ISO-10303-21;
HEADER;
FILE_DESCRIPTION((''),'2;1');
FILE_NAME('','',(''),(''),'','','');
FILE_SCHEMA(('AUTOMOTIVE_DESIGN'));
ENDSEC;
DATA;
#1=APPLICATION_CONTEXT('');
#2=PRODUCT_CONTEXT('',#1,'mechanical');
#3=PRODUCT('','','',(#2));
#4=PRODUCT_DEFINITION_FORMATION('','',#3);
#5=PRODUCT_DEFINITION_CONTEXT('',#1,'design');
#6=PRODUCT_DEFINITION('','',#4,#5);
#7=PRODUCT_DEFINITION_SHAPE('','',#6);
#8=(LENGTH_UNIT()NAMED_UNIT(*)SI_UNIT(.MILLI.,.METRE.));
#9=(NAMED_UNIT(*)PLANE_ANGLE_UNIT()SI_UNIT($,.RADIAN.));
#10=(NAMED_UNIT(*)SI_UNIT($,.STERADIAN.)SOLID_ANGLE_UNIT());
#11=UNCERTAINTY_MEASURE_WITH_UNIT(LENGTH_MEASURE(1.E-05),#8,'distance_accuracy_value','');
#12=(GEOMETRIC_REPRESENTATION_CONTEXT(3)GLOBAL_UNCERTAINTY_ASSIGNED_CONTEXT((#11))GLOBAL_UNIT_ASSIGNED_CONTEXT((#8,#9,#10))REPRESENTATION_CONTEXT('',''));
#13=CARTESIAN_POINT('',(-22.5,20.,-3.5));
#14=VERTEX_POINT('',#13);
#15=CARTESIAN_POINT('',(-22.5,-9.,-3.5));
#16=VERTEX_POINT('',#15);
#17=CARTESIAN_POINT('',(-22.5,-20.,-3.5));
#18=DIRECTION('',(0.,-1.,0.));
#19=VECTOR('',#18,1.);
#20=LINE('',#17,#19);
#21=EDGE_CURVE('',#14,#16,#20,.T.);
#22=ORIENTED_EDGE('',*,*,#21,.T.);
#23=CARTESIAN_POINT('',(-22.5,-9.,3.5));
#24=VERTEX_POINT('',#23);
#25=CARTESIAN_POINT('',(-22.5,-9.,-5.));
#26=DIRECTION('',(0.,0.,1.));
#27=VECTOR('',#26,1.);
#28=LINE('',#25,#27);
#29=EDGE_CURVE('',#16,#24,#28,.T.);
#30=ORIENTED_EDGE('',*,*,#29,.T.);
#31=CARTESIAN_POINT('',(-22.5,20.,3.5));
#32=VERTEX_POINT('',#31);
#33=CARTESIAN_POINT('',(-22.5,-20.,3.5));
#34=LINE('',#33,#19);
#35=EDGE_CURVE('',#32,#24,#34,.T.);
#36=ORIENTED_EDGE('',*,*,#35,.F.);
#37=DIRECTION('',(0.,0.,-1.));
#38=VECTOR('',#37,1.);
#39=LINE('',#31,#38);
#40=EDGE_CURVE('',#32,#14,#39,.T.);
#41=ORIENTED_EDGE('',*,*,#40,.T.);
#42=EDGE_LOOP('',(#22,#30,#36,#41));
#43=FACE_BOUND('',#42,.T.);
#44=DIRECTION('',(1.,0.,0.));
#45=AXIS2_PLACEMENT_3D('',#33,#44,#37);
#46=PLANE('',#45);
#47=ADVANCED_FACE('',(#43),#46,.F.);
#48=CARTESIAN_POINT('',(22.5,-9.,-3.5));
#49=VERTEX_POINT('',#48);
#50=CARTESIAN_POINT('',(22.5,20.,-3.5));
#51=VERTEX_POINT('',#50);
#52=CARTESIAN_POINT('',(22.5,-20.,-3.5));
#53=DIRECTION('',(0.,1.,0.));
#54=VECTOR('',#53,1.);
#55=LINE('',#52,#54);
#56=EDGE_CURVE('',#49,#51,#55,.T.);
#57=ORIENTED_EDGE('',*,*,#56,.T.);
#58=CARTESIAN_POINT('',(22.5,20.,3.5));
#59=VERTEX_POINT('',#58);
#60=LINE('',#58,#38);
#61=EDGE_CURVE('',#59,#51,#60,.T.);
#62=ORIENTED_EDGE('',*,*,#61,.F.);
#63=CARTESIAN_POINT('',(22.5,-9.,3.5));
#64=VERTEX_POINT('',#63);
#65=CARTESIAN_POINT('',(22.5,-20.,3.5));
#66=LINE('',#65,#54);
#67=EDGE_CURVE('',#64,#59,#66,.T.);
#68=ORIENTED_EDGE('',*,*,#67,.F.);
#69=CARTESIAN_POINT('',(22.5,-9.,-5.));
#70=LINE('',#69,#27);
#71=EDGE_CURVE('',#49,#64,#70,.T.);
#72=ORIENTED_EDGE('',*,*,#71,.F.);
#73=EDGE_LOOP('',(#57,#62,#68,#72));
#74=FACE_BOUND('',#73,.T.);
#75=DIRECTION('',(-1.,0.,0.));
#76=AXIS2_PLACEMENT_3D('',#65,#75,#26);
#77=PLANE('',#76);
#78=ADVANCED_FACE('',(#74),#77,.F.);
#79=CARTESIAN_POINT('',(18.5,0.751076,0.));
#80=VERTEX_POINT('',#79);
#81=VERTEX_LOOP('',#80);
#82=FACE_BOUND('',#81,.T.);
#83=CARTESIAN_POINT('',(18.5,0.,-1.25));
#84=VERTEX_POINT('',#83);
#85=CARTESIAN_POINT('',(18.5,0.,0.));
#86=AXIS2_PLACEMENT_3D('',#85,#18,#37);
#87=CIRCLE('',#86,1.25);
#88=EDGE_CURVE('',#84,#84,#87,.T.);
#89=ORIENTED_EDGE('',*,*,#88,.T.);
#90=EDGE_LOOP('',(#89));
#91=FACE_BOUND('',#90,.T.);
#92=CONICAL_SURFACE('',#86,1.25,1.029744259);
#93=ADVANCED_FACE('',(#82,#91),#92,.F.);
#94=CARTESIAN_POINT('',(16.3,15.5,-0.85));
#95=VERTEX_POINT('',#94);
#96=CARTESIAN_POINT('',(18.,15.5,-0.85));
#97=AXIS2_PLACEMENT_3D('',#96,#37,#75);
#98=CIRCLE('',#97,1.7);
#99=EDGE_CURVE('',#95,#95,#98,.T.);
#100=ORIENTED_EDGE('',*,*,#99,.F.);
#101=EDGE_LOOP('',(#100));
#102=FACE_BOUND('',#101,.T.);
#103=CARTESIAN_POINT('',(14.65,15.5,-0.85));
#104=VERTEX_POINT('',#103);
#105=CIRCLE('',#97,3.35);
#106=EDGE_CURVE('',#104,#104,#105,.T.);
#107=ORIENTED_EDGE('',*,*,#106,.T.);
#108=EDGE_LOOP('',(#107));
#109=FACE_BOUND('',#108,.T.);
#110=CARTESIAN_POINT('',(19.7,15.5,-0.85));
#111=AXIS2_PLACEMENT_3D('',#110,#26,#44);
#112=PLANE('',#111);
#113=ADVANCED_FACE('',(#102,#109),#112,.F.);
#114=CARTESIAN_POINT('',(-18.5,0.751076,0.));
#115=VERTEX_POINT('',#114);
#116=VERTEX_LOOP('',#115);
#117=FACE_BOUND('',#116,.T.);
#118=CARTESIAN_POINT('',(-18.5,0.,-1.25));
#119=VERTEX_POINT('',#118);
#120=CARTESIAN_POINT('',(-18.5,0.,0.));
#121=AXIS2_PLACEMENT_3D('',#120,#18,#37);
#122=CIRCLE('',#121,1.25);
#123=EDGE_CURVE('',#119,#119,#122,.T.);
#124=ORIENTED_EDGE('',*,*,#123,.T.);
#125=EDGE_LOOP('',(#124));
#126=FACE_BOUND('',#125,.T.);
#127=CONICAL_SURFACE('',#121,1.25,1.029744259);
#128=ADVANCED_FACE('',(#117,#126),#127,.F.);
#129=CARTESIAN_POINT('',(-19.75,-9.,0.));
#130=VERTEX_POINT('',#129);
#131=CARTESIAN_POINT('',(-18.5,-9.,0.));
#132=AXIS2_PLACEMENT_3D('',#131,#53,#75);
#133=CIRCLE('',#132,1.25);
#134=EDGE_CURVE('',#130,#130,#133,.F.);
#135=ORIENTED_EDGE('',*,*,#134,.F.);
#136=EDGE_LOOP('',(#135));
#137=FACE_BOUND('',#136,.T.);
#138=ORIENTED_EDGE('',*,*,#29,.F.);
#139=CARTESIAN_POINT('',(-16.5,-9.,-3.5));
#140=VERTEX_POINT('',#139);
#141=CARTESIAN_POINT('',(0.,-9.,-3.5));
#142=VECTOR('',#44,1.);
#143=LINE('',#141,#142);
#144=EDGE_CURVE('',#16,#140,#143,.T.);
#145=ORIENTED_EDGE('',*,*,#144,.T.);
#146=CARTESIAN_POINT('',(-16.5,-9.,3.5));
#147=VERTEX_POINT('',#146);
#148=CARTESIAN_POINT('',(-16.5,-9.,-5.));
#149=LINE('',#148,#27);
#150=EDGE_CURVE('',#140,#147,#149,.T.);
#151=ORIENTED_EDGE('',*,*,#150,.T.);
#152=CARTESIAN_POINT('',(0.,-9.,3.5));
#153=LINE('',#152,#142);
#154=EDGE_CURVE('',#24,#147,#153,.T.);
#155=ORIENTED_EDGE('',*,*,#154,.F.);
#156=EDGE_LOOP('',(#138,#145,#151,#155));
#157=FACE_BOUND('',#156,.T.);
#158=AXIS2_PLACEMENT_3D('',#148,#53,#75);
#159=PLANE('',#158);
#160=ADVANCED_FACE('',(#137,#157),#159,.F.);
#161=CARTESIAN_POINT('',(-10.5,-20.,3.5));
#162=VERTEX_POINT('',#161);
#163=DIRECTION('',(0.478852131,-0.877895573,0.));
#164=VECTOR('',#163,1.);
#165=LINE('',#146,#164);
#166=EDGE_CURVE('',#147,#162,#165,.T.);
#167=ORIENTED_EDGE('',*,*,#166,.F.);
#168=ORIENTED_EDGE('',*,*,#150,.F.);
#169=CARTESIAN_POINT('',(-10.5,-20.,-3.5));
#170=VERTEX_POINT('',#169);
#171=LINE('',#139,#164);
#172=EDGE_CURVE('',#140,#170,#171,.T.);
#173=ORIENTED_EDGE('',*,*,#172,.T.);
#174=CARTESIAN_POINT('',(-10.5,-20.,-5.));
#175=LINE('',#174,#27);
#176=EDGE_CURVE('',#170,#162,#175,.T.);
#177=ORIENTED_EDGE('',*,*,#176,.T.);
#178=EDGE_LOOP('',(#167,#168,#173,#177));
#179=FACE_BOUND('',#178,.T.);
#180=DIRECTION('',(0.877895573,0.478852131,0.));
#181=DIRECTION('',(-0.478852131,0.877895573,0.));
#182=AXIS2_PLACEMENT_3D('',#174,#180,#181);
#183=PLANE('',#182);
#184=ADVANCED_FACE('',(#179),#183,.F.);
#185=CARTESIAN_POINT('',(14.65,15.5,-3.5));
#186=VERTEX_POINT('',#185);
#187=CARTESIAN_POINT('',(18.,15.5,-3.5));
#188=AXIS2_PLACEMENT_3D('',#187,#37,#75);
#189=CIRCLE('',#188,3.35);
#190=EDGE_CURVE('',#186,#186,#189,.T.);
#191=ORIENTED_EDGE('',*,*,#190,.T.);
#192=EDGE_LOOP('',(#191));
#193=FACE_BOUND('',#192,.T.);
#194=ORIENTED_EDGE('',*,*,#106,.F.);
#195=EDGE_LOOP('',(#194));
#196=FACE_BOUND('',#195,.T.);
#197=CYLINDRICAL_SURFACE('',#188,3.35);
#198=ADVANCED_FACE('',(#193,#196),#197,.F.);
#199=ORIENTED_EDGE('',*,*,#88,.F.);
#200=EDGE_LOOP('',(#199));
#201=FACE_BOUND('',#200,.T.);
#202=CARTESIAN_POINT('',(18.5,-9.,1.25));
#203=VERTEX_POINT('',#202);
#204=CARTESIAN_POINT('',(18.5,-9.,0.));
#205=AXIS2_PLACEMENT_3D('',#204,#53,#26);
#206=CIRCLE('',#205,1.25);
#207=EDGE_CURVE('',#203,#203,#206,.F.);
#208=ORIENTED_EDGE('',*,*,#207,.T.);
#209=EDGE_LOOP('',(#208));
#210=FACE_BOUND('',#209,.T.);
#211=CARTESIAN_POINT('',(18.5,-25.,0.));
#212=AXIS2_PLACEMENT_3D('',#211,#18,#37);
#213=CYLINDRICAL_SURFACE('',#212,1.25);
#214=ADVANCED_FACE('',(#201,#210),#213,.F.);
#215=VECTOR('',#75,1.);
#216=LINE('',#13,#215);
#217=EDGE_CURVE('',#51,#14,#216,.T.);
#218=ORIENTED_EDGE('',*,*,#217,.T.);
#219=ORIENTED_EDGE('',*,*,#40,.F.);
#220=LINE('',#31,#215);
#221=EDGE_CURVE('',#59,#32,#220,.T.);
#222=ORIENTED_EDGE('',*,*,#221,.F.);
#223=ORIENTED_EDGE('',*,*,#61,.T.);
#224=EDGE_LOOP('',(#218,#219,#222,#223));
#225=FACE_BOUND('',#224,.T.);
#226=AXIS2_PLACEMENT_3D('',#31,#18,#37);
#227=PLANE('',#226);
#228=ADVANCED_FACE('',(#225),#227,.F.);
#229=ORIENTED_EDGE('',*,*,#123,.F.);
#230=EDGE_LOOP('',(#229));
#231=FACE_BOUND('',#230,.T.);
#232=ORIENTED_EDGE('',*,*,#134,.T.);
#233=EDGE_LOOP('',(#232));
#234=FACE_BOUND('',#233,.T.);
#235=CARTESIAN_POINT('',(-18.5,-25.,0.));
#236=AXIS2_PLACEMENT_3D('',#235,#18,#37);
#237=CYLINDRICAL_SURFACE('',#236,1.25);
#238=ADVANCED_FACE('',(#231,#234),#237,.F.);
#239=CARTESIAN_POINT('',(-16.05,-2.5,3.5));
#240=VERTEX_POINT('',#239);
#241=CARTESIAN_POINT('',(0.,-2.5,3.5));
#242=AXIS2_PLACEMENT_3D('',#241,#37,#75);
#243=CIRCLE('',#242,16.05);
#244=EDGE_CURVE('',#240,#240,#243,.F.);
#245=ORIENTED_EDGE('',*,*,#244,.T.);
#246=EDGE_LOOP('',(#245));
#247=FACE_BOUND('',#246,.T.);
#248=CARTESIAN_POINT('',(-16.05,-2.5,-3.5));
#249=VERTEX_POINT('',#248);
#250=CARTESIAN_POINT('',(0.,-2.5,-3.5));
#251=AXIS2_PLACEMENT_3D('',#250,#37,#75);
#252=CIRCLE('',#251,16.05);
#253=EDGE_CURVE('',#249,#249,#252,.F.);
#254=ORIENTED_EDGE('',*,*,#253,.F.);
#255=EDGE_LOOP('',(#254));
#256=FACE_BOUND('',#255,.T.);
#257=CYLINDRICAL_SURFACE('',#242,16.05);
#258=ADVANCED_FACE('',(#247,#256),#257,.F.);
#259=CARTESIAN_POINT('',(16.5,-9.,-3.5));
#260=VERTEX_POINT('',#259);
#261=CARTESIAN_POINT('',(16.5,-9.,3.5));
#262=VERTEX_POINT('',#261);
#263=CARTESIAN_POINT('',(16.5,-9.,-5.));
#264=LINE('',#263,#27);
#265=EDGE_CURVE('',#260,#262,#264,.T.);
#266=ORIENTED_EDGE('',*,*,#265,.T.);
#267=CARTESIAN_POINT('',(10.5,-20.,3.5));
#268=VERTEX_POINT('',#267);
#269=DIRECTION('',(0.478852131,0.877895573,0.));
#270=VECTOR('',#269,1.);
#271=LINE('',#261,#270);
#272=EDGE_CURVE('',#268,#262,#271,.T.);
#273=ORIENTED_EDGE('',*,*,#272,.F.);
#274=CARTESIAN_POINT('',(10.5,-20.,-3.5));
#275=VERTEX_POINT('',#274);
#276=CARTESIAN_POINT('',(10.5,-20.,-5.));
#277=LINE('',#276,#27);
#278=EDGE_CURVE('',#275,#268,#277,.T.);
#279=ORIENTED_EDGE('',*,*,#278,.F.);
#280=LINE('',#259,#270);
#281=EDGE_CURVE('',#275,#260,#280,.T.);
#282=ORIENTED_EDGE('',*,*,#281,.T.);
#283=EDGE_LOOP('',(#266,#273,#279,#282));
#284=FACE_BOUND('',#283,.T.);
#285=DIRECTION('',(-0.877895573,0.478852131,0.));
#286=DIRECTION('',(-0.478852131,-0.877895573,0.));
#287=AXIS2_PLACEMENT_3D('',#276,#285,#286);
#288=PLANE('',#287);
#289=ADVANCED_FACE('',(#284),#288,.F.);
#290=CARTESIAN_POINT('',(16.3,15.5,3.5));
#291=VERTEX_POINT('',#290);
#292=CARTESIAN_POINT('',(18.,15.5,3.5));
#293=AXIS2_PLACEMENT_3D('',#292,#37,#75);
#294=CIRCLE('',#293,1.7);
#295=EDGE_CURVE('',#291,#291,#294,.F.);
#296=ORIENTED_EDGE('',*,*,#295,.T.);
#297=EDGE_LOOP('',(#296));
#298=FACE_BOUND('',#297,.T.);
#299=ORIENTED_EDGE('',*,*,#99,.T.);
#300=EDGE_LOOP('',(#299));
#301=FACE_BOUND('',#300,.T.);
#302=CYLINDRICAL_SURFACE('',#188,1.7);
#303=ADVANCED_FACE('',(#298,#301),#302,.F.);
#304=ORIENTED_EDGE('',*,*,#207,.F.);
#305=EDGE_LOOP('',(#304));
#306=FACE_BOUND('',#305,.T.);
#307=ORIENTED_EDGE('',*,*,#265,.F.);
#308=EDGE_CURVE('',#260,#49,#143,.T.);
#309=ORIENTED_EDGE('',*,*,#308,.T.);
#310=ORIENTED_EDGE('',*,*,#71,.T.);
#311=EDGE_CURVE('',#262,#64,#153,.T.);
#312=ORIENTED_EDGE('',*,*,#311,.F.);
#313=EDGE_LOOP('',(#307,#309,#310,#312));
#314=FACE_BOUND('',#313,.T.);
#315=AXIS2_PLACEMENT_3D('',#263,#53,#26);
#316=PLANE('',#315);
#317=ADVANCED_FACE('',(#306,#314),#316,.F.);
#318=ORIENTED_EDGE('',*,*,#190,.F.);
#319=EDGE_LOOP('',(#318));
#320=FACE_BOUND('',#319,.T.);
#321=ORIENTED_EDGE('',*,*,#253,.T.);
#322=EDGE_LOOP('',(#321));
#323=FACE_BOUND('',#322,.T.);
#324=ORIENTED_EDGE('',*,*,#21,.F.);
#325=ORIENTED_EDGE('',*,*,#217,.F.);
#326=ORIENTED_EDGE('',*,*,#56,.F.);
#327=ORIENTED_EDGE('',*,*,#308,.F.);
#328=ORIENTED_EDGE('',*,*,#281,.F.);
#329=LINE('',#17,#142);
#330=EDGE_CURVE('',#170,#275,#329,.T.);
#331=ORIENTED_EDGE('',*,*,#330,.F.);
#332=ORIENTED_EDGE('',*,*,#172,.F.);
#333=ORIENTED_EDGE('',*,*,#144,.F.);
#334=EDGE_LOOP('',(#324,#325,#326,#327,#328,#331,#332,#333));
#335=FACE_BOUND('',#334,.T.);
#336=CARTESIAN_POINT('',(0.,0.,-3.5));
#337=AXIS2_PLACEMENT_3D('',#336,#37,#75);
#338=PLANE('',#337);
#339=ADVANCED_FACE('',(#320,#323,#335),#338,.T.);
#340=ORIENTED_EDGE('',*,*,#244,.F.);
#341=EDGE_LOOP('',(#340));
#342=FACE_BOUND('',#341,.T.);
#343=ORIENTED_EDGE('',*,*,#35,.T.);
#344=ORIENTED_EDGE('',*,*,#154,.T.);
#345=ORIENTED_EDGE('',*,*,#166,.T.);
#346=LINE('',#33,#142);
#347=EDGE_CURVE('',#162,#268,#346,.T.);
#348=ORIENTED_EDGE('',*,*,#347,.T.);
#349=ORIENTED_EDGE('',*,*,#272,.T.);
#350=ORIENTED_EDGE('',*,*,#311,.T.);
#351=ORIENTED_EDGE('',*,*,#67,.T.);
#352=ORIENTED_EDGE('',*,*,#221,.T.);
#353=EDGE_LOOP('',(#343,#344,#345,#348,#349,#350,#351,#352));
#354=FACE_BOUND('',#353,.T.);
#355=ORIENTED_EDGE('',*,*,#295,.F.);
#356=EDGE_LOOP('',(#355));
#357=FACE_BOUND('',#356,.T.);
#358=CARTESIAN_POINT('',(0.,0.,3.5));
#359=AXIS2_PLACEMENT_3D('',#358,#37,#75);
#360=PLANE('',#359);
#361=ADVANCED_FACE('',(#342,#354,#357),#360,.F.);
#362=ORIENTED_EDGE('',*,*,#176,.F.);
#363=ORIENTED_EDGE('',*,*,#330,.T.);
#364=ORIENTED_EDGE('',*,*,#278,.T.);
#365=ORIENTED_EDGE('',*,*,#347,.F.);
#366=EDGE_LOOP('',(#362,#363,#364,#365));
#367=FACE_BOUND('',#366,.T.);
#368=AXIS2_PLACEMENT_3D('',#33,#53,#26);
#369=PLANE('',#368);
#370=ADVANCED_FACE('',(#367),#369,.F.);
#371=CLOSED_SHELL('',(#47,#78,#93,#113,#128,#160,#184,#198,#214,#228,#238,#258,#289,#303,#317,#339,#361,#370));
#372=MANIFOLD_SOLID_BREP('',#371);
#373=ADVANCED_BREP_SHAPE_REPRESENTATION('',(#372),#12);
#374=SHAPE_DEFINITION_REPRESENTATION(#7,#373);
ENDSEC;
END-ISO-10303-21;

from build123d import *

# Parameters (mm, degrees)
SKETCH1_W                       = 45
SKETCH1_H                       = 40
SKETCH1_R                       = 16
BOSS_EXTRUDE1_DEPTH             = 3.5
M3X0_5_TAPPED_HOLE2_D           = 2.5
M3X0_5_TAPPED_HOLE2_DEPTH       = 25
M3X0_5_TAPPED_HOLE2_TIP         = 0.751075774
CUT_EXTRUDE1_DEPTH              = 5
CBORE_FOR_M3_SBHCS1_D           = 3.4
CBORE_FOR_M3_SBHCS1_DEPTH       = 7
CBORE_FOR_M3_SBHCS1_CBORE_D     = 6.7
CBORE_FOR_M3_SBHCS1_CBORE_DEPTH = 2.65
CBORE_FOR_M3_SBHCS1_TIP         = 1.021463052
F_3D_PRINTING_TOLERANCE_BY      = 0.05


with BuildPart() as part:
    # Sketch1 → Boss-Extrude1 (new, symmetric)
    with BuildSketch(Plane.XY):
        Rectangle(SKETCH1_W, SKETCH1_H)
        with Locations((0, -2.5)):
            Circle(SKETCH1_R, mode=Mode.SUBTRACT)
    extrude(amount=BOSS_EXTRUDE1_DEPTH, both=True)

    # M3x0.5 Tapped Hole2
    with Locations(Plane(origin=(0, -25, 71.05), x_dir=(0, 0, 1), z_dir=(0, -1, 0))):
        with Locations((-41.05, -18.5), (-71.05, 18.5), (-71.05, -18.5), (-41.05, 18.5)):
            Hole(M3X0_5_TAPPED_HOLE2_D / 2, depth=M3X0_5_TAPPED_HOLE2_DEPTH)
            with Locations((0, 0, -(M3X0_5_TAPPED_HOLE2_DEPTH + M3X0_5_TAPPED_HOLE2_TIP / 2))):  # 118° drill point
                Cone(0, M3X0_5_TAPPED_HOLE2_D / 2, M3X0_5_TAPPED_HOLE2_TIP, mode=Mode.SUBTRACT)

    # Sketch7 → Cut-Extrude1 (cut, symmetric)
    with BuildSketch(Plane.XY):
        Polygon((10.5, -20), (16.5, -9), (22.5, -9), (22.5, -20), align=None)
        Polygon((-10.5, -20), (-16.5, -9), (-22.5, -9), (-22.5, -20), align=None)
    extrude(amount=CUT_EXTRUDE1_DEPTH, both=True, mode=Mode.SUBTRACT)

    # CBORE for M3 SBHCS1
    with Locations(Plane(origin=(0, -2.5, -3.5), x_dir=(-1, 0, 0), z_dir=(0, 0, -1))):
        with Locations((-18, 18)):
            CounterBoreHole(CBORE_FOR_M3_SBHCS1_D / 2, CBORE_FOR_M3_SBHCS1_CBORE_D / 2, CBORE_FOR_M3_SBHCS1_CBORE_DEPTH, depth=CBORE_FOR_M3_SBHCS1_DEPTH)
            with Locations((0, 0, -(CBORE_FOR_M3_SBHCS1_DEPTH + CBORE_FOR_M3_SBHCS1_TIP / 2))):  # 118° drill point
                Cone(0, CBORE_FOR_M3_SBHCS1_D / 2, CBORE_FOR_M3_SBHCS1_TIP, mode=Mode.SUBTRACT)

    # 3D printing tolerance: a curved face moved inward by 0.05
    add(Solid.thicken(part.faces().sort_by_distance((-16, -2.5, 0))[0], -F_3D_PRINTING_TOLERANCE_BY), mode=Mode.SUBTRACT)


solid = part.part
